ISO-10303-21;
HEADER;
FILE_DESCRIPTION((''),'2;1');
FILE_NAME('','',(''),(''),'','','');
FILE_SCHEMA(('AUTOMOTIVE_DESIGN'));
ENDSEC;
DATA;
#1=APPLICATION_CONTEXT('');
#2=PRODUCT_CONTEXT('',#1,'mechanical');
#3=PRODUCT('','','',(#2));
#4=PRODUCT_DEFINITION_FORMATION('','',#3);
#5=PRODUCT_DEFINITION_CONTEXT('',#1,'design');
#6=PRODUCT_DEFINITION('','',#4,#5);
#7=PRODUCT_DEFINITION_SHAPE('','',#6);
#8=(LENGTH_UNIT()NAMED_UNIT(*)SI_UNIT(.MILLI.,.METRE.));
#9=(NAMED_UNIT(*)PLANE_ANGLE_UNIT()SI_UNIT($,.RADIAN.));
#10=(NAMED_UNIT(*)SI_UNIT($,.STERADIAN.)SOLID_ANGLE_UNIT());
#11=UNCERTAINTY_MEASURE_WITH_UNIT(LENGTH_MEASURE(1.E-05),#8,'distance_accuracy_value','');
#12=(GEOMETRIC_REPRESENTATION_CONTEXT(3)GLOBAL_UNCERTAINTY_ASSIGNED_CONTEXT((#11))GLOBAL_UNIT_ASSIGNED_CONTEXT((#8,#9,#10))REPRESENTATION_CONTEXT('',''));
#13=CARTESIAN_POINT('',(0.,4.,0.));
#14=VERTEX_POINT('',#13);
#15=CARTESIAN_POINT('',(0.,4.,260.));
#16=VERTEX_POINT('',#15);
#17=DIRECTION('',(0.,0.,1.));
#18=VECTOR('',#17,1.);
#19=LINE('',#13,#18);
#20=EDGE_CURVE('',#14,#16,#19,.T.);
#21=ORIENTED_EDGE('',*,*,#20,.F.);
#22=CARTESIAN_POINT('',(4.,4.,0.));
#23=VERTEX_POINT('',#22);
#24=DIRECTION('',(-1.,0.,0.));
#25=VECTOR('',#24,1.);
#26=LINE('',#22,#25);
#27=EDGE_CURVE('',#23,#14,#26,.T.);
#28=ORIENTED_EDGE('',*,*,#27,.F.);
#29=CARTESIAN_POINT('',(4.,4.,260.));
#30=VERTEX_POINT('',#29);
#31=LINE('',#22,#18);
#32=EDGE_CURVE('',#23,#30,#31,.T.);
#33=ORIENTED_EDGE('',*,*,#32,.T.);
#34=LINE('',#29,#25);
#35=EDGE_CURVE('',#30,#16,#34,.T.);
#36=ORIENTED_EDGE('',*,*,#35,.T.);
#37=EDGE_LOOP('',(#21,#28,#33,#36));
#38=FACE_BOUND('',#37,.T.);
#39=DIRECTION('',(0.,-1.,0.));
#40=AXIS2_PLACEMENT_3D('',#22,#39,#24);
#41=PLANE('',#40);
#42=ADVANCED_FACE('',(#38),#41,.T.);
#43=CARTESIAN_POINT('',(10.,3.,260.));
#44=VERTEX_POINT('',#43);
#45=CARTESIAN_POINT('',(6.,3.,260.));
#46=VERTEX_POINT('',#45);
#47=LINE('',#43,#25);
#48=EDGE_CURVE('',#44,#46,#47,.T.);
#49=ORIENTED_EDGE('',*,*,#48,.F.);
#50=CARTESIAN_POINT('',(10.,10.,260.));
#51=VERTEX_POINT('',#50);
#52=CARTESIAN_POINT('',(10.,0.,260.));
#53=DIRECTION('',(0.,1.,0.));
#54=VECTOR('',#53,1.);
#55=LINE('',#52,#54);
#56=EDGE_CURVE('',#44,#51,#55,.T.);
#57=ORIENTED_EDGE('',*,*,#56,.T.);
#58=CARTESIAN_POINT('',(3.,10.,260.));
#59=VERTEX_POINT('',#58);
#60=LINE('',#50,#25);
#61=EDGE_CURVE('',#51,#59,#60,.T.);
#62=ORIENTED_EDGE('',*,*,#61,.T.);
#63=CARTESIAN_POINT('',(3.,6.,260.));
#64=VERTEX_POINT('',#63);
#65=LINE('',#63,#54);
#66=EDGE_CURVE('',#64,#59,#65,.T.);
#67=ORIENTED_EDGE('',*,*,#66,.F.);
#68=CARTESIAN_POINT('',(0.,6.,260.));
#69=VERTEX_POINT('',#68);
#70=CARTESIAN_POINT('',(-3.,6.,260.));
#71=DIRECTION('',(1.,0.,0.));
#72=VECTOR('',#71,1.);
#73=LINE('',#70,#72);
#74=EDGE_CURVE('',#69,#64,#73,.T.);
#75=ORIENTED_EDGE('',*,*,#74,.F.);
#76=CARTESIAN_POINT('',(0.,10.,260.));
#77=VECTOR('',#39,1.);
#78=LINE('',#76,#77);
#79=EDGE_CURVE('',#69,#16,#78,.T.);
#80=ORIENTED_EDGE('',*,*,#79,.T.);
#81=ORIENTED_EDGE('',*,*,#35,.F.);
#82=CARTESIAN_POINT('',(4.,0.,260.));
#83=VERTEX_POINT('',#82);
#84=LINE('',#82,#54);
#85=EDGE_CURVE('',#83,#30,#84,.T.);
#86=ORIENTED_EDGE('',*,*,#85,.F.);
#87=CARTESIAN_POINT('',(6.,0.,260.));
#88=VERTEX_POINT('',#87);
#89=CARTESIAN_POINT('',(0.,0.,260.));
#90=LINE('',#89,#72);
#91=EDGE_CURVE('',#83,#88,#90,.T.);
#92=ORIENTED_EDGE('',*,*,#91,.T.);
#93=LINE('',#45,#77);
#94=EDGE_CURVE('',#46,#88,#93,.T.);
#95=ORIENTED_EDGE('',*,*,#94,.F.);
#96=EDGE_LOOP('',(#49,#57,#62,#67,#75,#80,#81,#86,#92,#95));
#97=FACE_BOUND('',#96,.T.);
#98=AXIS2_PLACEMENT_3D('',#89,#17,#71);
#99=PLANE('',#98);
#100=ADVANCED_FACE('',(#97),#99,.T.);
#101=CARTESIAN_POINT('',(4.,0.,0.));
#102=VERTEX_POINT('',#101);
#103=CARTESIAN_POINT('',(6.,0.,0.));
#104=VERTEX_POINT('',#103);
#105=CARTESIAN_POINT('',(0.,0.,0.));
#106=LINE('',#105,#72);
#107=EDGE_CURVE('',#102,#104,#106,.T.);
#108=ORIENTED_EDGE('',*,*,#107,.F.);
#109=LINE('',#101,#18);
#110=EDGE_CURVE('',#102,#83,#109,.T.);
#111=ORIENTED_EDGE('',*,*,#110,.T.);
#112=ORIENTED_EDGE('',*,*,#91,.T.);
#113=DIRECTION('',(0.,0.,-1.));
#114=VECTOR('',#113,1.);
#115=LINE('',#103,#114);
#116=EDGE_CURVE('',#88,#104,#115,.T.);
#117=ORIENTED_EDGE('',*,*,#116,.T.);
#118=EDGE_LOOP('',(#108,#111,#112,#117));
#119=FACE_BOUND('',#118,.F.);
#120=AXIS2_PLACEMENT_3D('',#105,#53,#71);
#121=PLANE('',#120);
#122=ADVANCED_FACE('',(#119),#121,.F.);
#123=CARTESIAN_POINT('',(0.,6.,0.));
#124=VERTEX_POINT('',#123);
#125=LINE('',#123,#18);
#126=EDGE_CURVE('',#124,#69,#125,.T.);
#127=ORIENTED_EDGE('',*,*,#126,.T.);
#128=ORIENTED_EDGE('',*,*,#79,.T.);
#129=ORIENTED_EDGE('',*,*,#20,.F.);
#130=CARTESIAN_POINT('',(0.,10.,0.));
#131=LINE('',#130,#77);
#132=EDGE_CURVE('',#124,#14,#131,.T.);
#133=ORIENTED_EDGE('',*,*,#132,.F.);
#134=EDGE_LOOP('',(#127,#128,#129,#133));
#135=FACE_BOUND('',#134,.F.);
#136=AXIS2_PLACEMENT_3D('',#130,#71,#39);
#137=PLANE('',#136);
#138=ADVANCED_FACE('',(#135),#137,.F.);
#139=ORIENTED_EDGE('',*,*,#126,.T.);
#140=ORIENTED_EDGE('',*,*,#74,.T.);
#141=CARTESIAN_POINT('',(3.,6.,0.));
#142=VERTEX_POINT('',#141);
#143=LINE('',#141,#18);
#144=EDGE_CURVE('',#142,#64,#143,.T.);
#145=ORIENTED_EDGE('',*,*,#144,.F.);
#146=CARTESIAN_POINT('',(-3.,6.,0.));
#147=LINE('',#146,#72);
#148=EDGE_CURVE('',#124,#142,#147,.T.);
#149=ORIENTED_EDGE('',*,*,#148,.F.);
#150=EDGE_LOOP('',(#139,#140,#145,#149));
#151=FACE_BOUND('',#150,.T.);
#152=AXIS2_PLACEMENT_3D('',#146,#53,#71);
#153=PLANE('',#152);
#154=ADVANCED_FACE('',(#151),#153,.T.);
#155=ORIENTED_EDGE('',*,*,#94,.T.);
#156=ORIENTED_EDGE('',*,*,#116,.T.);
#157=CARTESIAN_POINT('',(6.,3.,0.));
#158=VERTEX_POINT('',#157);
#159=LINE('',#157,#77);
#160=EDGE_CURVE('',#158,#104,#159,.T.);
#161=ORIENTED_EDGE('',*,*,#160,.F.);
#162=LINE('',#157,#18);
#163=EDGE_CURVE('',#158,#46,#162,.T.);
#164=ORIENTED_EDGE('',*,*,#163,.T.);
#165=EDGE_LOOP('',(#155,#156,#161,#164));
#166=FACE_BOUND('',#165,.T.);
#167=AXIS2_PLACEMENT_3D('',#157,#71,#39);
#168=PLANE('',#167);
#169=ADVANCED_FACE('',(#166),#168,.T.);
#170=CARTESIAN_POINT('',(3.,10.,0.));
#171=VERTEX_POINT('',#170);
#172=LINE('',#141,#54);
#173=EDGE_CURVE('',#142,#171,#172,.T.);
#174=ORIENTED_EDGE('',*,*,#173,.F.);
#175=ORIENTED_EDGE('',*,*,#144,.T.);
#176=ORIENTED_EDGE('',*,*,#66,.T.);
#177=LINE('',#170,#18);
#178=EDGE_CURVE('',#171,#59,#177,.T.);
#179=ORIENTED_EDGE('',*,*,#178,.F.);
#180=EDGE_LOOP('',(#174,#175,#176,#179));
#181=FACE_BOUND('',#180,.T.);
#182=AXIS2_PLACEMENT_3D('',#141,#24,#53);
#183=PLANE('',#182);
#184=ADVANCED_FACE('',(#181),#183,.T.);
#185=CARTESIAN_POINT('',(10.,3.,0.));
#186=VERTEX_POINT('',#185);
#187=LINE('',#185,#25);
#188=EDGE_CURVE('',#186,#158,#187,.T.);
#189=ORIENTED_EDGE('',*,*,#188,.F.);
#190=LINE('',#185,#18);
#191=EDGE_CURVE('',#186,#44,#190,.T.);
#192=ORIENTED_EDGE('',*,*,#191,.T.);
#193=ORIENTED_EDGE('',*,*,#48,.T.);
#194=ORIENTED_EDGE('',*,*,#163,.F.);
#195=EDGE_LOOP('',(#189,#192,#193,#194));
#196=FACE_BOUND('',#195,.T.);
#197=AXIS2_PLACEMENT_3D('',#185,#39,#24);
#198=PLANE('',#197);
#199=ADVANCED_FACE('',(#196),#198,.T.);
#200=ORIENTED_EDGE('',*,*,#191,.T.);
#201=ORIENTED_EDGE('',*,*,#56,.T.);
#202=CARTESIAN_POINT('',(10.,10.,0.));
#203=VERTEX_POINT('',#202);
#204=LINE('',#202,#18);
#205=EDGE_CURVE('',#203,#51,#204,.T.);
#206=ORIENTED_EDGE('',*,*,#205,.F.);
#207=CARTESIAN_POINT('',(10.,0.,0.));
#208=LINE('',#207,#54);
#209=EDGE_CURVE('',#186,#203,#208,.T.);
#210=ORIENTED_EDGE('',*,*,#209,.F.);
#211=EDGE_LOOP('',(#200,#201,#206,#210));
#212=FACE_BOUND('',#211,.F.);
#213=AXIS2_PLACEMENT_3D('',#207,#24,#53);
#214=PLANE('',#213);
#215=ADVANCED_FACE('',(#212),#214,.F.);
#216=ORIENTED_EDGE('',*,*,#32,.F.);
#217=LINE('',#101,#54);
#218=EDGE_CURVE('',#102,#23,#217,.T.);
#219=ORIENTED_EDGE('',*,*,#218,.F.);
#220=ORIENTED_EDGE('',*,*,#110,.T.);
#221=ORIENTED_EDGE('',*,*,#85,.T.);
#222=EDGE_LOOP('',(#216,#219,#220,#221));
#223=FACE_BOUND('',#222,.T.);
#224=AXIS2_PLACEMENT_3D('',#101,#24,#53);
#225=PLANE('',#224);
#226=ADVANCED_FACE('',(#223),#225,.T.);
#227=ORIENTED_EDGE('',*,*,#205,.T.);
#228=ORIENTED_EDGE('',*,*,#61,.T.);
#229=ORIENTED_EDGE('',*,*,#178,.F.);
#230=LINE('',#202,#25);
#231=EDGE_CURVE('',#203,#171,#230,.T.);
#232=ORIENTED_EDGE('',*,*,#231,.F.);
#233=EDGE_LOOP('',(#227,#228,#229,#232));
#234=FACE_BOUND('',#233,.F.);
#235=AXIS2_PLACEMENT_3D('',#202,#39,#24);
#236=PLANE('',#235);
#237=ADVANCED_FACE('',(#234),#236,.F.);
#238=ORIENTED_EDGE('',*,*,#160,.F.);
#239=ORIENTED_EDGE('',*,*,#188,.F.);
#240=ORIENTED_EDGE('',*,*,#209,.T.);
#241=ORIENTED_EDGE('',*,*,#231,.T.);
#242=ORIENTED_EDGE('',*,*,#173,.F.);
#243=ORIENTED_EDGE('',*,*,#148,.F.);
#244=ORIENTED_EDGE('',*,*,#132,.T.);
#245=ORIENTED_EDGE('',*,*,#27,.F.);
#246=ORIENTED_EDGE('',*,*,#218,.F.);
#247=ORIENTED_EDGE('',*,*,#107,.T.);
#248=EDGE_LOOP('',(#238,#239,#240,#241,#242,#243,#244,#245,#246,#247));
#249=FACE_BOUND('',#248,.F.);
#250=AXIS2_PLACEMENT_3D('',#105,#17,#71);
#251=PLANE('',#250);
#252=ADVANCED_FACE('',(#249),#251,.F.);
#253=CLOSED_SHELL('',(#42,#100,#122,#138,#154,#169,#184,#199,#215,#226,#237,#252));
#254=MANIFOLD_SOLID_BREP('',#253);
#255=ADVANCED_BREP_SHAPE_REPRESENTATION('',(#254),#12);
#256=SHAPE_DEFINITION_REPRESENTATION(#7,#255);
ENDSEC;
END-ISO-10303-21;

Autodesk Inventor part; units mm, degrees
ref_plane "YZ Plane" through (0, 0, 0) normal (1, 0, 0) x (0, 1, 0)
ref_plane "XZ Plane" through (0, 0, 0) normal (0, 1, 0) x (-1, 0, 0)
sketch "Skizze1" plane through (0, 0, 0) normal (0, 0, 1) x (1, 0, 0)
  line L0 (0, 0) -> (10, 0)
  line L1 (10, 0) -> (10, 10)
  line L2 (10, 10) -> (0, 10)
  line L3 (0, 10) -> (0, 0)
extrude "Extrusion1" add sketch "Skizze1" along normal blind 260
sketch "Skizze2" plane through (0, 0, 0) normal (0, 0, 1) x (1, 0, 0)
  line L0 (0, 0) -> (4, 0)
  line L1 (4, 0) -> (4, 4)
  line L2 (4, 4) -> (0, 4)
  line L3 (0, 4) -> (0, 0)
extrude "Extrusion2" cut sketch "Skizze2" along normal blind 260
sketch "Skizze3" plane through (0, 0, 0) normal (0, 0, 1) x (1, 0, 0)
  line L0 (-3, 6) -> (3, 6)
  line L1 (3, 6) -> (3, 10)
  line L2 (3, 10) -> (-3, 10)
  line L3 (-3, 10) -> (-3, 6)
extrude "Extrusion3" cut sketch "Skizze3" along normal blind 260
sketch "Skizze4" plane through (0, 0, 0) normal (0, 0, 1) x (1, 0, 0)
  line L0 (-3, -10) -> (3, -10)
  line L1 (3, -10) -> (3, -6)
  line L2 (3, -6) -> (-3, -6)
  line L3 (-3, -6) -> (-3, -10)
extrude "Extrusion4" cut sketch "Skizze4" along normal blind 260
sketch "Skizze5" plane through (0, 0, 0) normal (0, 0, 1) x (1, 0, 0)
  line L0 (-10, -3) -> (-6, -3)
  line L1 (-6, -3) -> (-6, 3)
  line L2 (-6, 3) -> (-10, 3)
  line L3 (-10, 3) -> (-10, -3)
extrude "Extrusion5" cut sketch "Skizze5" along normal blind 260
sketch "Skizze6" plane through (0, 0, 0) normal (0, 0, 1) x (1, 0, 0)
  line L0 (6, -3) -> (10, -3)
  line L1 (10, -3) -> (10, 3)
  line L2 (10, 3) -> (6, 3)
  line L3 (6, 3) -> (6, -3)
extrude "Extrusion6" cut sketch "Skizze6" along normal blind 260
ref_plane "Arbeitsebene1" through (0, 0, 260) normal (0, 0, 1) x (1, 0, 0)
sketch "Skizze7" plane through (0, 0, 0) normal (0, 0, 1) x (1, 0, 0)
  circle A0 centre (0, 0) radius 2.5
extrude "Extrusion7" cut sketch "Skizze7" along normal blind 10
sketch "Skizze8" plane through (0, 0, 260) normal (0, 0, 1) x (1, 0, 0)
  circle A0 centre (0, 0) radius 2.5
extrude "Extrusion8" cut sketch "Skizze8" along normal blind 10
properties part number "Aluprofil_20x20_L260"
